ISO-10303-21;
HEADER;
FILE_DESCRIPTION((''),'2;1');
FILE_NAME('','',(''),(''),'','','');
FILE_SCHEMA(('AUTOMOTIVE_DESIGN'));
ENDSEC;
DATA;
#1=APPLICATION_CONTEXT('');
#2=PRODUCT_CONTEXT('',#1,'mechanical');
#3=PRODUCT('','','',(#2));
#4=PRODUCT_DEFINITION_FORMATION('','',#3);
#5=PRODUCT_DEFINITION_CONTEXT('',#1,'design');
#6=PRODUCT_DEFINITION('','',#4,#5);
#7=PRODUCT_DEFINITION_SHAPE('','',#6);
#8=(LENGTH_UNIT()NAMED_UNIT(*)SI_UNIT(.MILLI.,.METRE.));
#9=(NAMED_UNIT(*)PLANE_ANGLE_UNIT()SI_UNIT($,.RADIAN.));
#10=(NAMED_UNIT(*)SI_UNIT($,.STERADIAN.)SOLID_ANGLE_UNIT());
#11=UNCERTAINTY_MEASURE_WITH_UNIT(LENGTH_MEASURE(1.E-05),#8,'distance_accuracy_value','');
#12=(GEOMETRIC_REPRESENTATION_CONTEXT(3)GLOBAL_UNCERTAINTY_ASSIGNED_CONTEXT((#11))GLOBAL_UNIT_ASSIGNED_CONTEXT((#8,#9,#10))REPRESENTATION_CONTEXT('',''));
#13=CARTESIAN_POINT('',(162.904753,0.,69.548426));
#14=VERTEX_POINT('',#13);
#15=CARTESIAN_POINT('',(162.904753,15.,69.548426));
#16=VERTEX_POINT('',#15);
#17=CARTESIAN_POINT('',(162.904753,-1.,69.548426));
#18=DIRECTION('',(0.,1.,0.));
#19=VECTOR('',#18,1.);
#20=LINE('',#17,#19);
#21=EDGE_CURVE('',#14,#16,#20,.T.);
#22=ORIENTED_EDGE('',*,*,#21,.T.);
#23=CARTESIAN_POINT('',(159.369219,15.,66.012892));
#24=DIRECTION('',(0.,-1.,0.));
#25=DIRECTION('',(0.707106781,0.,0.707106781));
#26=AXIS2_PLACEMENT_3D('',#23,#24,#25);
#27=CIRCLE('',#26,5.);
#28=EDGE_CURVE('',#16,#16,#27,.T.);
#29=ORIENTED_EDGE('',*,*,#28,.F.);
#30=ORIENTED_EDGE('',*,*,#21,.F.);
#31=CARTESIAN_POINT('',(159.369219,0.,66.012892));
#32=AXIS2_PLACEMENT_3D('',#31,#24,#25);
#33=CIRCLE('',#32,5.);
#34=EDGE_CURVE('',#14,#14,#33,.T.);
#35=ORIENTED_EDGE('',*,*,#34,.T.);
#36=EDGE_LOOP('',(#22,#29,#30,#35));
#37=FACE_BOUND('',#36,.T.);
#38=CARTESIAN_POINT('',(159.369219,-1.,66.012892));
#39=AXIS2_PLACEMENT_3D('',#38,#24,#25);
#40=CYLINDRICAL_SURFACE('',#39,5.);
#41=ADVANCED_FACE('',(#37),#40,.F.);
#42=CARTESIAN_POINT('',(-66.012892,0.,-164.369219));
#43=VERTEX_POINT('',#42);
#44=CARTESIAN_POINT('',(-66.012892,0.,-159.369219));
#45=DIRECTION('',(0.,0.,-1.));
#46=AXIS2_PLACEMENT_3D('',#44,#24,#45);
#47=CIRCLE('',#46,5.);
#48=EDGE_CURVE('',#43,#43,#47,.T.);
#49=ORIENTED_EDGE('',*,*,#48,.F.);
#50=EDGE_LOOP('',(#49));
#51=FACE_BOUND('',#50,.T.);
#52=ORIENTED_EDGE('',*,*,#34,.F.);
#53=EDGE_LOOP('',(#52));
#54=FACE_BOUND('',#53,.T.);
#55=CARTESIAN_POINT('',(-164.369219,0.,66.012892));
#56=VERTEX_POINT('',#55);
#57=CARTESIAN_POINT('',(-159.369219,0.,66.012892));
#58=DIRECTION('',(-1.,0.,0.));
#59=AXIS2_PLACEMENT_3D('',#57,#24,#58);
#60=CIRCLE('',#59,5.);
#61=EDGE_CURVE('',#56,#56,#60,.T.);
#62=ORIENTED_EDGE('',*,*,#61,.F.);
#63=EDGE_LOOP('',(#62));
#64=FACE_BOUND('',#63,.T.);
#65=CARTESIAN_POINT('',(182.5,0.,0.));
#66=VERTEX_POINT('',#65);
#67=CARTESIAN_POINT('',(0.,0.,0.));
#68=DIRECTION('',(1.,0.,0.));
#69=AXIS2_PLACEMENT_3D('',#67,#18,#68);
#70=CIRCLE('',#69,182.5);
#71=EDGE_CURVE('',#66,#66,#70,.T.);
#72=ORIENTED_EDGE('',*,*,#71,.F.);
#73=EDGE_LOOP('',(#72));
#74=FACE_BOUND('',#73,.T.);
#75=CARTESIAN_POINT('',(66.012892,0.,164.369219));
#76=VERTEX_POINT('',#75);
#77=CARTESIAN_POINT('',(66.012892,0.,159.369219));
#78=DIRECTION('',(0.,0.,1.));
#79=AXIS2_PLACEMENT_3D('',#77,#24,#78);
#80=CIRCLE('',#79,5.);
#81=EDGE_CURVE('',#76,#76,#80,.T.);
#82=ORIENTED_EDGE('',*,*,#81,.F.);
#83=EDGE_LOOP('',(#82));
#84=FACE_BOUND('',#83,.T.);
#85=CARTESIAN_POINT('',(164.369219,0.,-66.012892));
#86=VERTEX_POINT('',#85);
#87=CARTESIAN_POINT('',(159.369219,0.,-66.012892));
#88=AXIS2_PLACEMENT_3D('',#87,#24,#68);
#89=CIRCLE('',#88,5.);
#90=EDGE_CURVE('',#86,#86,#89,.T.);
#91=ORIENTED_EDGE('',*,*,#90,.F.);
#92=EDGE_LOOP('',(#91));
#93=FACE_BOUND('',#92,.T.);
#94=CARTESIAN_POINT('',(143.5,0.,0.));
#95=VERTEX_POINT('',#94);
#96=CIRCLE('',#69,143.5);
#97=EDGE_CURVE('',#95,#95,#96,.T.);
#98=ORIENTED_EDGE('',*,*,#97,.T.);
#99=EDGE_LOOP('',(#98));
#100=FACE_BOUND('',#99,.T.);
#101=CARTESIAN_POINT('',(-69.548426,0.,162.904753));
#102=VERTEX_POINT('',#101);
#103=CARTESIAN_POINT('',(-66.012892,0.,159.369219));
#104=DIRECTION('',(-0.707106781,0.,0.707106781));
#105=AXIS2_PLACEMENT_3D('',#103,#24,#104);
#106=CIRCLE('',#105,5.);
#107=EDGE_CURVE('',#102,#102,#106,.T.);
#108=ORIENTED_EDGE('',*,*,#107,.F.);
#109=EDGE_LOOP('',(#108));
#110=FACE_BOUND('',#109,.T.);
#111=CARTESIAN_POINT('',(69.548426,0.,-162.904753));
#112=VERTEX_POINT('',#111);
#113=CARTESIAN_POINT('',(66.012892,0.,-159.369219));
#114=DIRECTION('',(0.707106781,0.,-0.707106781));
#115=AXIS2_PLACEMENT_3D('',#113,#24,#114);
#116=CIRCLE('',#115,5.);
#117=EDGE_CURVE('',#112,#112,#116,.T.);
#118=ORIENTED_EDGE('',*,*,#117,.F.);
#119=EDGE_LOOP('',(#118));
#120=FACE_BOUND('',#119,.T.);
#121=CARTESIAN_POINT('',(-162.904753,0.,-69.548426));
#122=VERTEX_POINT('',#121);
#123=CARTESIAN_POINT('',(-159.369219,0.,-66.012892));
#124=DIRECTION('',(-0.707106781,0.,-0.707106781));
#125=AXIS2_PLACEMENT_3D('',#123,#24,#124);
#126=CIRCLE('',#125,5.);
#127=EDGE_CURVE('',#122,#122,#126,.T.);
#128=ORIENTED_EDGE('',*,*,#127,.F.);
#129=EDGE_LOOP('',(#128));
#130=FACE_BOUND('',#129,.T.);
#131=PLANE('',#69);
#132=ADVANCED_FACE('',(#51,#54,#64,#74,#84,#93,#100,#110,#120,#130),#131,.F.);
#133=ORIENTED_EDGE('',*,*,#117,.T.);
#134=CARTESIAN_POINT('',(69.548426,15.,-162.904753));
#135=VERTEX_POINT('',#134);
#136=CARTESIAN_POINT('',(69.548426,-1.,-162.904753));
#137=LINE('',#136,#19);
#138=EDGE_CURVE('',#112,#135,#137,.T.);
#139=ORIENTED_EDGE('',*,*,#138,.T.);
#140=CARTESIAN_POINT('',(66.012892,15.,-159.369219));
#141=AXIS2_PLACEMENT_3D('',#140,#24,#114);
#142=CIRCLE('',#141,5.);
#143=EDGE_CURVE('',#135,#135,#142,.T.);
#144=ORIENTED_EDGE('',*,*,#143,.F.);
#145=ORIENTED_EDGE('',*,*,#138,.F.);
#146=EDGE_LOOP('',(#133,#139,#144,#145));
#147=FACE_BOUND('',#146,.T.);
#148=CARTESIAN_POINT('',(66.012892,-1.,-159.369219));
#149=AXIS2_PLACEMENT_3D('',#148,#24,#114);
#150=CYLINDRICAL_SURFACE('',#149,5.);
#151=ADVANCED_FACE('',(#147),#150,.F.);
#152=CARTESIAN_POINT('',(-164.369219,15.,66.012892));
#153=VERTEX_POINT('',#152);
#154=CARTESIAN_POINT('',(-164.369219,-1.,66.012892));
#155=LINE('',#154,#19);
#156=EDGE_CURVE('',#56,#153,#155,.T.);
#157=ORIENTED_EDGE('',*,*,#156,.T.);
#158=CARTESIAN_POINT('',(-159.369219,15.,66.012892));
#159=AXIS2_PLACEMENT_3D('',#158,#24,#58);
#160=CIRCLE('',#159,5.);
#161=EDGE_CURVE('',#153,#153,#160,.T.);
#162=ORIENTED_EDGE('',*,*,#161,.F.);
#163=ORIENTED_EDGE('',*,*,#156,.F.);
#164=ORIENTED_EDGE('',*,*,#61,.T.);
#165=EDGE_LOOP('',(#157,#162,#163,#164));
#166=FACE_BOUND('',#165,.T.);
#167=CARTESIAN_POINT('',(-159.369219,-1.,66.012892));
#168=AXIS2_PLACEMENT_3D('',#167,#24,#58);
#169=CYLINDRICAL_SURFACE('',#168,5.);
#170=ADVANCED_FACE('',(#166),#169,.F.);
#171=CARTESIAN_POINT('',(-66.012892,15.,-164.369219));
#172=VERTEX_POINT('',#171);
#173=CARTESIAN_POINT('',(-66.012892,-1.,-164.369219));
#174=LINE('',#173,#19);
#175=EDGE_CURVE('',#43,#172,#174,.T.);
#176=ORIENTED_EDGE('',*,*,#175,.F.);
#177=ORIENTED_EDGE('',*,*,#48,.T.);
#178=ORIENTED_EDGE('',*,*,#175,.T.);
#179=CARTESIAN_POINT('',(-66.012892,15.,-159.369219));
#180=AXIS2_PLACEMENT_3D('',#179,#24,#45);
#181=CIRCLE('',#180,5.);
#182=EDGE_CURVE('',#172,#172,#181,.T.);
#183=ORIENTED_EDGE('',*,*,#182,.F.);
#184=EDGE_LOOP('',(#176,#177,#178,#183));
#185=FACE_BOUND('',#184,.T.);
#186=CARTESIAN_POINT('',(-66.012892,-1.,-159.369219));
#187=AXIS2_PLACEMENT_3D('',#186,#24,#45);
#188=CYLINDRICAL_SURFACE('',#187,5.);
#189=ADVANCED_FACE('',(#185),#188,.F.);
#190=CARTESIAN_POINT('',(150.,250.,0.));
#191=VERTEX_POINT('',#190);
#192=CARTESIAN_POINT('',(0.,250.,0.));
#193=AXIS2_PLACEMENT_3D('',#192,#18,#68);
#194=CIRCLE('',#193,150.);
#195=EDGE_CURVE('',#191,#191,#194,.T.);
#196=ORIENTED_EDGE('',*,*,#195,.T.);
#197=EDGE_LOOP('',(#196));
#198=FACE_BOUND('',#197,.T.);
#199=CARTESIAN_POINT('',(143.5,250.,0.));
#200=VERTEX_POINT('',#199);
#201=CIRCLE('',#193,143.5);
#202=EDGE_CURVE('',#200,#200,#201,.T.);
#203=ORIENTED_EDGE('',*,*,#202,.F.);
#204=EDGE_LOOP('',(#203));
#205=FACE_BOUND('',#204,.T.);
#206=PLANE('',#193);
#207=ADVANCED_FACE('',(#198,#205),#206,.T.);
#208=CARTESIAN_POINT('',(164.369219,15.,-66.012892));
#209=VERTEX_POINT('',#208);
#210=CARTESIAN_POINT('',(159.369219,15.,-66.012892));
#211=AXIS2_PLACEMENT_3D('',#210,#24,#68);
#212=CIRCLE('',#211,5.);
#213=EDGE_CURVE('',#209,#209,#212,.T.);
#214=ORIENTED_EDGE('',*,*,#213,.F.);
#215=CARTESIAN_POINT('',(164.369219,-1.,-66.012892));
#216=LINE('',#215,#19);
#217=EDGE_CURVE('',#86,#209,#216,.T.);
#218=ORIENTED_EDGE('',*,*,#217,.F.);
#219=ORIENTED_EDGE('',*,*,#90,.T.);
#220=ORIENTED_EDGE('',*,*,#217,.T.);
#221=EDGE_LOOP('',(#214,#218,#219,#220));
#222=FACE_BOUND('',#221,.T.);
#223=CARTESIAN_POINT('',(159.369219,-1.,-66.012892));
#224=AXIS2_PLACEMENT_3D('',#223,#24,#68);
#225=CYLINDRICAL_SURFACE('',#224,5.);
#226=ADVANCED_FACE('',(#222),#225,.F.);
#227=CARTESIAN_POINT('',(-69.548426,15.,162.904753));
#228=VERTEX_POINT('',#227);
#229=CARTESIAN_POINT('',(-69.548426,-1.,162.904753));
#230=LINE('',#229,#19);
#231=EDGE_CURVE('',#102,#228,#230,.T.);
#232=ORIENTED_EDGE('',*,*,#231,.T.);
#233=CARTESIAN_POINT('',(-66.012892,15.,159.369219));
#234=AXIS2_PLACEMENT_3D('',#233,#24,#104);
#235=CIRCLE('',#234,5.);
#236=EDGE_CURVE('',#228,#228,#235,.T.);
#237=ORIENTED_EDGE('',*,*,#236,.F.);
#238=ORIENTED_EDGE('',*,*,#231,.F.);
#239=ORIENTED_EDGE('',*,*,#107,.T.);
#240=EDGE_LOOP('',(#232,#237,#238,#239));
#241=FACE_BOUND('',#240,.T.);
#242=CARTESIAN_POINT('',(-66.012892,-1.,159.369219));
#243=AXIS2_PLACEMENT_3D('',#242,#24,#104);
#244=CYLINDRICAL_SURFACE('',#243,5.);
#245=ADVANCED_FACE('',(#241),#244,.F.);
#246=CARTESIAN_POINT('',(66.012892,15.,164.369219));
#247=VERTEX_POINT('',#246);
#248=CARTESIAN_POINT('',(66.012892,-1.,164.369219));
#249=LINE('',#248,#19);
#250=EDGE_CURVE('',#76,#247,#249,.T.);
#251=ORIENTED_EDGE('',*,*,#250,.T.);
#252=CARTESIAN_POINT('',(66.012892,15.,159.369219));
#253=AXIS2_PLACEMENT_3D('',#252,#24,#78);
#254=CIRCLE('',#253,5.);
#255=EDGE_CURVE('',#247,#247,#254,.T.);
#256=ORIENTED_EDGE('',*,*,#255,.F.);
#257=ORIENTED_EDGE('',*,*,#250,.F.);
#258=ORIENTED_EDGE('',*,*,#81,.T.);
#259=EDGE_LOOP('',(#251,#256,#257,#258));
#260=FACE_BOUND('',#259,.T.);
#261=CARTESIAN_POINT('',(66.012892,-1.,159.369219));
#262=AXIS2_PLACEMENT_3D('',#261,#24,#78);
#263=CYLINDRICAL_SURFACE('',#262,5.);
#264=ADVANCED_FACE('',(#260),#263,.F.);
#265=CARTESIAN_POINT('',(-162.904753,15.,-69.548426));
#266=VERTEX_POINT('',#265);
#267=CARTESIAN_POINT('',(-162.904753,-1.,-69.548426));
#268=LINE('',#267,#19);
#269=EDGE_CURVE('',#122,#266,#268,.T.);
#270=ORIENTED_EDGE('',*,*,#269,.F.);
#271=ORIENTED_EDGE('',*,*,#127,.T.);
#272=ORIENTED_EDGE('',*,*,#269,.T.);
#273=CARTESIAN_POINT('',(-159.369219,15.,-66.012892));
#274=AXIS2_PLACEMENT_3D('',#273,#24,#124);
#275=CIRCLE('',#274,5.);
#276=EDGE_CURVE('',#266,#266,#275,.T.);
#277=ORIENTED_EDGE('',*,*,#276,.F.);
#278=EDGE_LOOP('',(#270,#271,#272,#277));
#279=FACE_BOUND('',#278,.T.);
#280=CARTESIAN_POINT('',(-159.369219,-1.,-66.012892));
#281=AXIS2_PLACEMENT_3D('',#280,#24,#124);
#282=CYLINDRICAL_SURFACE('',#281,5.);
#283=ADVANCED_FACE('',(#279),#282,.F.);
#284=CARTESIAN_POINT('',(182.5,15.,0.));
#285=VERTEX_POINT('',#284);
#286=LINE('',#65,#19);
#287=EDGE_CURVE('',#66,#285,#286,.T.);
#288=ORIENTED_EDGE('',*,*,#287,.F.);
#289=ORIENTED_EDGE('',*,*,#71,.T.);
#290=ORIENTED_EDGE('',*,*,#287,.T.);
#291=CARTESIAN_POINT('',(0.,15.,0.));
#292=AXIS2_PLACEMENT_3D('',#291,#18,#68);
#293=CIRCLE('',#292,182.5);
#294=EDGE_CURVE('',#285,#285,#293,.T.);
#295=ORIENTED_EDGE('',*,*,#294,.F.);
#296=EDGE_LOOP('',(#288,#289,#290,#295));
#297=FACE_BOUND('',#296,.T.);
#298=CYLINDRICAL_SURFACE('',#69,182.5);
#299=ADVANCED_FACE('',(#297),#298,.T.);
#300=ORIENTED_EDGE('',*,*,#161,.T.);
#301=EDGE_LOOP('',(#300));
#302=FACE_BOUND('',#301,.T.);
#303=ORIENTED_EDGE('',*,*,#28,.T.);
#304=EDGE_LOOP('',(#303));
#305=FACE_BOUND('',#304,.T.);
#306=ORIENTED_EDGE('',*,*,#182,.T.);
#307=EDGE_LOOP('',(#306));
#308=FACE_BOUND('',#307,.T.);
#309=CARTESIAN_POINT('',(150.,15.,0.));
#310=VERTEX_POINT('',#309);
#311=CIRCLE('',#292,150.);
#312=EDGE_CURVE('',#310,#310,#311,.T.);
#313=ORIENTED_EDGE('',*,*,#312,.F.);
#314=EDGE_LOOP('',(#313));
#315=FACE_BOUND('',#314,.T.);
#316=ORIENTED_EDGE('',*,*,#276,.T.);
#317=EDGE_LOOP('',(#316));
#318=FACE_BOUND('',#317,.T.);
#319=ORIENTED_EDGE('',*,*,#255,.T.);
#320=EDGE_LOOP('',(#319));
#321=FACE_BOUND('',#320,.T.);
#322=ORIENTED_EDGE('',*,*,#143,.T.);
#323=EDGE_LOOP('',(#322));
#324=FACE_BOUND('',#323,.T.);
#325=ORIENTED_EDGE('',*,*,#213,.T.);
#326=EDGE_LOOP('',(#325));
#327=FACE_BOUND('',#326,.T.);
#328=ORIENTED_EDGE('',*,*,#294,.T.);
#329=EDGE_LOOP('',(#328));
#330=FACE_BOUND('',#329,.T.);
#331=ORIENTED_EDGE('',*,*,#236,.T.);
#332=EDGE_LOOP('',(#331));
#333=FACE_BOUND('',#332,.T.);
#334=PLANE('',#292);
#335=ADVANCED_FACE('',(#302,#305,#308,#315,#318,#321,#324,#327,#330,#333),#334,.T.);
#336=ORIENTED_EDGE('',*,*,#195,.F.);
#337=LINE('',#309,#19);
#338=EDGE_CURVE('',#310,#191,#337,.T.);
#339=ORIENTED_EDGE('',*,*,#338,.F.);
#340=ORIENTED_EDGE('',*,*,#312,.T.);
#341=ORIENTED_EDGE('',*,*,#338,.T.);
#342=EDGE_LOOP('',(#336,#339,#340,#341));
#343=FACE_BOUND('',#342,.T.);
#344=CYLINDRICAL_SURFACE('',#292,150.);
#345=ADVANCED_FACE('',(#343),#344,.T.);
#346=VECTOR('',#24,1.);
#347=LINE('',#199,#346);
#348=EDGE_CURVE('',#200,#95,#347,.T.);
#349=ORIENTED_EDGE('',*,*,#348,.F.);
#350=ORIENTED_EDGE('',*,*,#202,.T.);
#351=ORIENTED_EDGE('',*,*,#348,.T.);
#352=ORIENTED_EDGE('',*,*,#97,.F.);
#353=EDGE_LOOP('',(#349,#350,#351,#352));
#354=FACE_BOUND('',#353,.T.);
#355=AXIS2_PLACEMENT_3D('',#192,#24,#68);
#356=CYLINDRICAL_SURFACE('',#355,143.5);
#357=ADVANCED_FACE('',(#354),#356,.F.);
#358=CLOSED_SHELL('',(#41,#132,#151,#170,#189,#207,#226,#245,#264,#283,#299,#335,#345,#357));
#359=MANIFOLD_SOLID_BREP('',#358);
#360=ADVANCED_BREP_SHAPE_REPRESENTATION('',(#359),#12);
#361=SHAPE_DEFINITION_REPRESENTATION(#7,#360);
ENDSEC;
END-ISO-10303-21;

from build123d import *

# Parameters (mm, degrees)
CUT_EXTRUDE1_START = -16
SKETCH2_R          = 5
CUT_EXTRUDE1_DEPTH = 252
CIRPATTERN1_COUNT  = 8


with BuildPart() as part:
    # Sketch1 → Revolve1 (revolve)
    with BuildSketch(Plane.XY):
        Polygon((143.5, 250), (143.5, 0), (182.5, 0), (182.5, 15), (150, 15), (150, 250), align=None)
    revolve(axis=Axis((0, 0, 0), (0, 1, 0)))

    # Sketch2 → Cut-Extrude1 (cut)
    with BuildSketch(Plane(origin=(0, 15, 0), x_dir=(1, 0, 0), z_dir=(0, 1, 0)).offset(CUT_EXTRUDE1_START)):
        with Locations((159.369219358, 66.012892083)):
            Circle(SKETCH2_R)
    cut_extrude1 = extrude(amount=CUT_EXTRUDE1_DEPTH, mode=Mode.SUBTRACT)

    # CirPattern1: Cut-Extrude1 ×8 about axis
    cirpattern1_axis = Axis((0, 0, 0), (0, 1, 0))
    for i in range(1, CIRPATTERN1_COUNT):
        add(cut_extrude1.rotate(cirpattern1_axis, i * 360 / CIRPATTERN1_COUNT), mode=Mode.SUBTRACT)


solid = part.part
